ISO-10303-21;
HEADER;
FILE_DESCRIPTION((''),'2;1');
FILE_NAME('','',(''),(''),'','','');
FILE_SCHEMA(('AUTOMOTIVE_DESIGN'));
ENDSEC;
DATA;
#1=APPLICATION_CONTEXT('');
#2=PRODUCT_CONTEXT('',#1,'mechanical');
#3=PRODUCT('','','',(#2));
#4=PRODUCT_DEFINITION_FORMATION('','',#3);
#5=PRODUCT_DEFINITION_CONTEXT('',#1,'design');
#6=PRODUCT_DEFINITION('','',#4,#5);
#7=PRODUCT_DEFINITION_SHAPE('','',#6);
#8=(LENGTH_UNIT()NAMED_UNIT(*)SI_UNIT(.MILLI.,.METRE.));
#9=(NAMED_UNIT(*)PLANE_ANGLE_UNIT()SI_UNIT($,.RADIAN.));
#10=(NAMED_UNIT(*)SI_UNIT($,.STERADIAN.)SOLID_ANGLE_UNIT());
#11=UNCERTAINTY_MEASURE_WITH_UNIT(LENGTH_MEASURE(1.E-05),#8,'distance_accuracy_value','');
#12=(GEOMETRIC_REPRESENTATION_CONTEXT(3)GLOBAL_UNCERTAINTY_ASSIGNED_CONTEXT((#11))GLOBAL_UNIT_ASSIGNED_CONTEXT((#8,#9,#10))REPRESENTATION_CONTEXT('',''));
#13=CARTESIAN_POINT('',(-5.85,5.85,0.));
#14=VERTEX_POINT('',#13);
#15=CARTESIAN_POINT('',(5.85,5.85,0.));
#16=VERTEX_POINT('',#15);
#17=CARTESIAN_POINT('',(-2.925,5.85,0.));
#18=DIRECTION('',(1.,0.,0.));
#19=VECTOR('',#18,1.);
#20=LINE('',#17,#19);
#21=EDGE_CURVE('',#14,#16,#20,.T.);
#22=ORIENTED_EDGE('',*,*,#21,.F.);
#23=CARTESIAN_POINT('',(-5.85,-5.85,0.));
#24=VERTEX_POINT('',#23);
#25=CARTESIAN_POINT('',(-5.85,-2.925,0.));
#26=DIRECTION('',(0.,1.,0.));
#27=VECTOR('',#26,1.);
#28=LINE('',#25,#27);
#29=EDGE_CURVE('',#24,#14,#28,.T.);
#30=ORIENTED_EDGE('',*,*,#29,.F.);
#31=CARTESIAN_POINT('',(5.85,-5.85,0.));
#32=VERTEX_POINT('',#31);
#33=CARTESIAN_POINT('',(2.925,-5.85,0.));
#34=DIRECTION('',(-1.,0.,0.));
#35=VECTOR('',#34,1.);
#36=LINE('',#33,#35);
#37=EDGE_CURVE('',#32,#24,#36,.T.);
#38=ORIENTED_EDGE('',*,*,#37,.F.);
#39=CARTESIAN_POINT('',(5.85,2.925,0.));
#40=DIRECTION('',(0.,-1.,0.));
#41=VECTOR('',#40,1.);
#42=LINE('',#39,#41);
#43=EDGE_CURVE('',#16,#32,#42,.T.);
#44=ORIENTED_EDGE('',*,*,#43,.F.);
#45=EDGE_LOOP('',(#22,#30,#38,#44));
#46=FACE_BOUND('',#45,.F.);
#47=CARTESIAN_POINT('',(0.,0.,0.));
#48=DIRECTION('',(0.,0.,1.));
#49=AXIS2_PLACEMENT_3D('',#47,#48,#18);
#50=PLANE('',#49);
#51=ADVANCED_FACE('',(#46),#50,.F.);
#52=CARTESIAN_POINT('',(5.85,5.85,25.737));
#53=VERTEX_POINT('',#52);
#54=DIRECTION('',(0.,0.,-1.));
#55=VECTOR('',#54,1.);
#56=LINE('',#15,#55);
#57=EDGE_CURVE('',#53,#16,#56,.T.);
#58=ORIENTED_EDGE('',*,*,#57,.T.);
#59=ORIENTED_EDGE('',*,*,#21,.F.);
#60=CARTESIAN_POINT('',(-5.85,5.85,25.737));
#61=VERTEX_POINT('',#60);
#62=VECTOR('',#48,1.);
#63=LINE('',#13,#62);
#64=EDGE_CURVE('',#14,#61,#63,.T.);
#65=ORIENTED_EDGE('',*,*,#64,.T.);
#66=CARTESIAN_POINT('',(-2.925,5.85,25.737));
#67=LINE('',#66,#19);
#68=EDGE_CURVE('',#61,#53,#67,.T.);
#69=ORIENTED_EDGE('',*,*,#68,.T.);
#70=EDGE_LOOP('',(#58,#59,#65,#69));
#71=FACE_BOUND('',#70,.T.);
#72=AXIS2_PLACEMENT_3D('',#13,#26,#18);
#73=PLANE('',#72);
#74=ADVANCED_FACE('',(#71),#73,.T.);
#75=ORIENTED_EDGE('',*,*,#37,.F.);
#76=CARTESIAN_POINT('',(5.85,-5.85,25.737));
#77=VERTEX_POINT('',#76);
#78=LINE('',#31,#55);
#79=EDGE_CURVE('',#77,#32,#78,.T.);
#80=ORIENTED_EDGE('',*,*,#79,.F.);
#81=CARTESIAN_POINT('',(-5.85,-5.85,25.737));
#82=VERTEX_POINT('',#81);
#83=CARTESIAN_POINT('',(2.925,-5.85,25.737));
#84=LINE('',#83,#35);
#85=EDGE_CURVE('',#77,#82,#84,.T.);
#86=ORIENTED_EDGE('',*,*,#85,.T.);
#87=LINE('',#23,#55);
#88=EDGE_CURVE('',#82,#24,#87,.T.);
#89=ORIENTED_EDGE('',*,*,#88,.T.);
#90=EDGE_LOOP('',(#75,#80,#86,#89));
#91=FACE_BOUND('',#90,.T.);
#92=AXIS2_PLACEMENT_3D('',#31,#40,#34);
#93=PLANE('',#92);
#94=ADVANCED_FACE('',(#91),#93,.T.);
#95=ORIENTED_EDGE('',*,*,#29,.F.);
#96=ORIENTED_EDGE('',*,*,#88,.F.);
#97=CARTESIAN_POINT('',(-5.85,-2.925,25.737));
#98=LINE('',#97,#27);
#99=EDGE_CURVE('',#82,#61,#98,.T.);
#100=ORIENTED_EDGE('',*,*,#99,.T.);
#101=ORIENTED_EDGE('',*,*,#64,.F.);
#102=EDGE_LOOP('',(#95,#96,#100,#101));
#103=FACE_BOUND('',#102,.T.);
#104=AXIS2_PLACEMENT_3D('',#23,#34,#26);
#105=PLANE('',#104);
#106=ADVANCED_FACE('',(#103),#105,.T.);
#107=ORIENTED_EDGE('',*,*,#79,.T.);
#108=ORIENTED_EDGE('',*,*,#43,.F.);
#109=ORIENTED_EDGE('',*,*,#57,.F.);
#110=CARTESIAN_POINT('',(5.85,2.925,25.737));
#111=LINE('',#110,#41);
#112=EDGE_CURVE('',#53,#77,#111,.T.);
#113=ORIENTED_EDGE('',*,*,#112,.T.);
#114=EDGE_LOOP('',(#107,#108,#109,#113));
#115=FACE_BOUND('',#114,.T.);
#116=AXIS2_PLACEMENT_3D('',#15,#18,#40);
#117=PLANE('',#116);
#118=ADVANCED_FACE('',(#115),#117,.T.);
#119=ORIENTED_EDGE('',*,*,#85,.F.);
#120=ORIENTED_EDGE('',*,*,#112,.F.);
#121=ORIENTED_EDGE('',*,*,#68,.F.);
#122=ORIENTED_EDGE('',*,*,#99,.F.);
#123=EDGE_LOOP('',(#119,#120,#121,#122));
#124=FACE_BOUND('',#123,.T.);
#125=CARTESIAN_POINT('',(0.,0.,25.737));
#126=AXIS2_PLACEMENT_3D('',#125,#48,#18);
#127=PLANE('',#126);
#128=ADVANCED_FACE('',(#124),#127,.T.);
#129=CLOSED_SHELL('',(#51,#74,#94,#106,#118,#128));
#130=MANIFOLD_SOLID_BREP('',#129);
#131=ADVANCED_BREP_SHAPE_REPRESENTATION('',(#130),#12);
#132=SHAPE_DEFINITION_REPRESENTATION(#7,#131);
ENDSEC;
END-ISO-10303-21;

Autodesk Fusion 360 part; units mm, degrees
sketch "Sketch1" plane through (0, 0, 0) normal (0, 0, 1) x (1, 0, 0)
  line L0 (-5.85, 5.85) -> (5.85, 5.85)
  line L1 (5.85, 5.85) -> (5.85, -5.85)
  line L2 (5.85, -5.85) -> (-5.85, -5.85)
  line L3 (-5.85, -5.85) -> (-5.85, 5.85)
  line L4 (-5.85, 5.85) -> (5.85, -5.85) construction
  line L5 (5.85, 5.85) -> (-5.85, -5.85) construction
  line L6 (11.0385, 11.0385) -> (-11.0385, 11.0385)
  line L7 (-11.0385, 11.0385) -> (-11.0385, -11.0385)
  line L8 (-11.0385, -11.0385) -> (11.0385, -11.0385)
  line L9 (11.0385, -11.0385) -> (11.0385, 11.0385)
  line L10 (11.0385, 11.0385) -> (-11.0385, -11.0385) construction
  line L11 (-11.0385, 11.0385) -> (11.0385, -11.0385) construction
  dimension "d1" = 11.7
extrude "Extrude1" add sketch "Sketch1" against normal blind 10 makes body 1
extrude "Extrude2" add sketch "Sketch1" along normal blind 5 contours L0 L1 L2 L3 | L6 L7 L8 L9 bodies 1
extrude "Extrude3" add sketch "Sketch1" along normal blind 11 from surface at 5 contours L0 L1 L2 L3 bodies 1
chamfer "Chamfer1" distance 1 angle 45 1 faces at (1.95, -9.309, 5) on bodies 1
chamfer "Chamfer2" distance 1 angle 45 1 faces at (-1.95, 1.95, 0) on bodies 1
extrude "Extrude4" add sketch "Sketch1" along normal blind 22 separate body contours L0 L1 L2 L3 makes body 2
move_face "OffsetFaces1" offset 3.737 1 faces at (-1.95, 1.95, 22) on bodies 2
hidden bodies 1
